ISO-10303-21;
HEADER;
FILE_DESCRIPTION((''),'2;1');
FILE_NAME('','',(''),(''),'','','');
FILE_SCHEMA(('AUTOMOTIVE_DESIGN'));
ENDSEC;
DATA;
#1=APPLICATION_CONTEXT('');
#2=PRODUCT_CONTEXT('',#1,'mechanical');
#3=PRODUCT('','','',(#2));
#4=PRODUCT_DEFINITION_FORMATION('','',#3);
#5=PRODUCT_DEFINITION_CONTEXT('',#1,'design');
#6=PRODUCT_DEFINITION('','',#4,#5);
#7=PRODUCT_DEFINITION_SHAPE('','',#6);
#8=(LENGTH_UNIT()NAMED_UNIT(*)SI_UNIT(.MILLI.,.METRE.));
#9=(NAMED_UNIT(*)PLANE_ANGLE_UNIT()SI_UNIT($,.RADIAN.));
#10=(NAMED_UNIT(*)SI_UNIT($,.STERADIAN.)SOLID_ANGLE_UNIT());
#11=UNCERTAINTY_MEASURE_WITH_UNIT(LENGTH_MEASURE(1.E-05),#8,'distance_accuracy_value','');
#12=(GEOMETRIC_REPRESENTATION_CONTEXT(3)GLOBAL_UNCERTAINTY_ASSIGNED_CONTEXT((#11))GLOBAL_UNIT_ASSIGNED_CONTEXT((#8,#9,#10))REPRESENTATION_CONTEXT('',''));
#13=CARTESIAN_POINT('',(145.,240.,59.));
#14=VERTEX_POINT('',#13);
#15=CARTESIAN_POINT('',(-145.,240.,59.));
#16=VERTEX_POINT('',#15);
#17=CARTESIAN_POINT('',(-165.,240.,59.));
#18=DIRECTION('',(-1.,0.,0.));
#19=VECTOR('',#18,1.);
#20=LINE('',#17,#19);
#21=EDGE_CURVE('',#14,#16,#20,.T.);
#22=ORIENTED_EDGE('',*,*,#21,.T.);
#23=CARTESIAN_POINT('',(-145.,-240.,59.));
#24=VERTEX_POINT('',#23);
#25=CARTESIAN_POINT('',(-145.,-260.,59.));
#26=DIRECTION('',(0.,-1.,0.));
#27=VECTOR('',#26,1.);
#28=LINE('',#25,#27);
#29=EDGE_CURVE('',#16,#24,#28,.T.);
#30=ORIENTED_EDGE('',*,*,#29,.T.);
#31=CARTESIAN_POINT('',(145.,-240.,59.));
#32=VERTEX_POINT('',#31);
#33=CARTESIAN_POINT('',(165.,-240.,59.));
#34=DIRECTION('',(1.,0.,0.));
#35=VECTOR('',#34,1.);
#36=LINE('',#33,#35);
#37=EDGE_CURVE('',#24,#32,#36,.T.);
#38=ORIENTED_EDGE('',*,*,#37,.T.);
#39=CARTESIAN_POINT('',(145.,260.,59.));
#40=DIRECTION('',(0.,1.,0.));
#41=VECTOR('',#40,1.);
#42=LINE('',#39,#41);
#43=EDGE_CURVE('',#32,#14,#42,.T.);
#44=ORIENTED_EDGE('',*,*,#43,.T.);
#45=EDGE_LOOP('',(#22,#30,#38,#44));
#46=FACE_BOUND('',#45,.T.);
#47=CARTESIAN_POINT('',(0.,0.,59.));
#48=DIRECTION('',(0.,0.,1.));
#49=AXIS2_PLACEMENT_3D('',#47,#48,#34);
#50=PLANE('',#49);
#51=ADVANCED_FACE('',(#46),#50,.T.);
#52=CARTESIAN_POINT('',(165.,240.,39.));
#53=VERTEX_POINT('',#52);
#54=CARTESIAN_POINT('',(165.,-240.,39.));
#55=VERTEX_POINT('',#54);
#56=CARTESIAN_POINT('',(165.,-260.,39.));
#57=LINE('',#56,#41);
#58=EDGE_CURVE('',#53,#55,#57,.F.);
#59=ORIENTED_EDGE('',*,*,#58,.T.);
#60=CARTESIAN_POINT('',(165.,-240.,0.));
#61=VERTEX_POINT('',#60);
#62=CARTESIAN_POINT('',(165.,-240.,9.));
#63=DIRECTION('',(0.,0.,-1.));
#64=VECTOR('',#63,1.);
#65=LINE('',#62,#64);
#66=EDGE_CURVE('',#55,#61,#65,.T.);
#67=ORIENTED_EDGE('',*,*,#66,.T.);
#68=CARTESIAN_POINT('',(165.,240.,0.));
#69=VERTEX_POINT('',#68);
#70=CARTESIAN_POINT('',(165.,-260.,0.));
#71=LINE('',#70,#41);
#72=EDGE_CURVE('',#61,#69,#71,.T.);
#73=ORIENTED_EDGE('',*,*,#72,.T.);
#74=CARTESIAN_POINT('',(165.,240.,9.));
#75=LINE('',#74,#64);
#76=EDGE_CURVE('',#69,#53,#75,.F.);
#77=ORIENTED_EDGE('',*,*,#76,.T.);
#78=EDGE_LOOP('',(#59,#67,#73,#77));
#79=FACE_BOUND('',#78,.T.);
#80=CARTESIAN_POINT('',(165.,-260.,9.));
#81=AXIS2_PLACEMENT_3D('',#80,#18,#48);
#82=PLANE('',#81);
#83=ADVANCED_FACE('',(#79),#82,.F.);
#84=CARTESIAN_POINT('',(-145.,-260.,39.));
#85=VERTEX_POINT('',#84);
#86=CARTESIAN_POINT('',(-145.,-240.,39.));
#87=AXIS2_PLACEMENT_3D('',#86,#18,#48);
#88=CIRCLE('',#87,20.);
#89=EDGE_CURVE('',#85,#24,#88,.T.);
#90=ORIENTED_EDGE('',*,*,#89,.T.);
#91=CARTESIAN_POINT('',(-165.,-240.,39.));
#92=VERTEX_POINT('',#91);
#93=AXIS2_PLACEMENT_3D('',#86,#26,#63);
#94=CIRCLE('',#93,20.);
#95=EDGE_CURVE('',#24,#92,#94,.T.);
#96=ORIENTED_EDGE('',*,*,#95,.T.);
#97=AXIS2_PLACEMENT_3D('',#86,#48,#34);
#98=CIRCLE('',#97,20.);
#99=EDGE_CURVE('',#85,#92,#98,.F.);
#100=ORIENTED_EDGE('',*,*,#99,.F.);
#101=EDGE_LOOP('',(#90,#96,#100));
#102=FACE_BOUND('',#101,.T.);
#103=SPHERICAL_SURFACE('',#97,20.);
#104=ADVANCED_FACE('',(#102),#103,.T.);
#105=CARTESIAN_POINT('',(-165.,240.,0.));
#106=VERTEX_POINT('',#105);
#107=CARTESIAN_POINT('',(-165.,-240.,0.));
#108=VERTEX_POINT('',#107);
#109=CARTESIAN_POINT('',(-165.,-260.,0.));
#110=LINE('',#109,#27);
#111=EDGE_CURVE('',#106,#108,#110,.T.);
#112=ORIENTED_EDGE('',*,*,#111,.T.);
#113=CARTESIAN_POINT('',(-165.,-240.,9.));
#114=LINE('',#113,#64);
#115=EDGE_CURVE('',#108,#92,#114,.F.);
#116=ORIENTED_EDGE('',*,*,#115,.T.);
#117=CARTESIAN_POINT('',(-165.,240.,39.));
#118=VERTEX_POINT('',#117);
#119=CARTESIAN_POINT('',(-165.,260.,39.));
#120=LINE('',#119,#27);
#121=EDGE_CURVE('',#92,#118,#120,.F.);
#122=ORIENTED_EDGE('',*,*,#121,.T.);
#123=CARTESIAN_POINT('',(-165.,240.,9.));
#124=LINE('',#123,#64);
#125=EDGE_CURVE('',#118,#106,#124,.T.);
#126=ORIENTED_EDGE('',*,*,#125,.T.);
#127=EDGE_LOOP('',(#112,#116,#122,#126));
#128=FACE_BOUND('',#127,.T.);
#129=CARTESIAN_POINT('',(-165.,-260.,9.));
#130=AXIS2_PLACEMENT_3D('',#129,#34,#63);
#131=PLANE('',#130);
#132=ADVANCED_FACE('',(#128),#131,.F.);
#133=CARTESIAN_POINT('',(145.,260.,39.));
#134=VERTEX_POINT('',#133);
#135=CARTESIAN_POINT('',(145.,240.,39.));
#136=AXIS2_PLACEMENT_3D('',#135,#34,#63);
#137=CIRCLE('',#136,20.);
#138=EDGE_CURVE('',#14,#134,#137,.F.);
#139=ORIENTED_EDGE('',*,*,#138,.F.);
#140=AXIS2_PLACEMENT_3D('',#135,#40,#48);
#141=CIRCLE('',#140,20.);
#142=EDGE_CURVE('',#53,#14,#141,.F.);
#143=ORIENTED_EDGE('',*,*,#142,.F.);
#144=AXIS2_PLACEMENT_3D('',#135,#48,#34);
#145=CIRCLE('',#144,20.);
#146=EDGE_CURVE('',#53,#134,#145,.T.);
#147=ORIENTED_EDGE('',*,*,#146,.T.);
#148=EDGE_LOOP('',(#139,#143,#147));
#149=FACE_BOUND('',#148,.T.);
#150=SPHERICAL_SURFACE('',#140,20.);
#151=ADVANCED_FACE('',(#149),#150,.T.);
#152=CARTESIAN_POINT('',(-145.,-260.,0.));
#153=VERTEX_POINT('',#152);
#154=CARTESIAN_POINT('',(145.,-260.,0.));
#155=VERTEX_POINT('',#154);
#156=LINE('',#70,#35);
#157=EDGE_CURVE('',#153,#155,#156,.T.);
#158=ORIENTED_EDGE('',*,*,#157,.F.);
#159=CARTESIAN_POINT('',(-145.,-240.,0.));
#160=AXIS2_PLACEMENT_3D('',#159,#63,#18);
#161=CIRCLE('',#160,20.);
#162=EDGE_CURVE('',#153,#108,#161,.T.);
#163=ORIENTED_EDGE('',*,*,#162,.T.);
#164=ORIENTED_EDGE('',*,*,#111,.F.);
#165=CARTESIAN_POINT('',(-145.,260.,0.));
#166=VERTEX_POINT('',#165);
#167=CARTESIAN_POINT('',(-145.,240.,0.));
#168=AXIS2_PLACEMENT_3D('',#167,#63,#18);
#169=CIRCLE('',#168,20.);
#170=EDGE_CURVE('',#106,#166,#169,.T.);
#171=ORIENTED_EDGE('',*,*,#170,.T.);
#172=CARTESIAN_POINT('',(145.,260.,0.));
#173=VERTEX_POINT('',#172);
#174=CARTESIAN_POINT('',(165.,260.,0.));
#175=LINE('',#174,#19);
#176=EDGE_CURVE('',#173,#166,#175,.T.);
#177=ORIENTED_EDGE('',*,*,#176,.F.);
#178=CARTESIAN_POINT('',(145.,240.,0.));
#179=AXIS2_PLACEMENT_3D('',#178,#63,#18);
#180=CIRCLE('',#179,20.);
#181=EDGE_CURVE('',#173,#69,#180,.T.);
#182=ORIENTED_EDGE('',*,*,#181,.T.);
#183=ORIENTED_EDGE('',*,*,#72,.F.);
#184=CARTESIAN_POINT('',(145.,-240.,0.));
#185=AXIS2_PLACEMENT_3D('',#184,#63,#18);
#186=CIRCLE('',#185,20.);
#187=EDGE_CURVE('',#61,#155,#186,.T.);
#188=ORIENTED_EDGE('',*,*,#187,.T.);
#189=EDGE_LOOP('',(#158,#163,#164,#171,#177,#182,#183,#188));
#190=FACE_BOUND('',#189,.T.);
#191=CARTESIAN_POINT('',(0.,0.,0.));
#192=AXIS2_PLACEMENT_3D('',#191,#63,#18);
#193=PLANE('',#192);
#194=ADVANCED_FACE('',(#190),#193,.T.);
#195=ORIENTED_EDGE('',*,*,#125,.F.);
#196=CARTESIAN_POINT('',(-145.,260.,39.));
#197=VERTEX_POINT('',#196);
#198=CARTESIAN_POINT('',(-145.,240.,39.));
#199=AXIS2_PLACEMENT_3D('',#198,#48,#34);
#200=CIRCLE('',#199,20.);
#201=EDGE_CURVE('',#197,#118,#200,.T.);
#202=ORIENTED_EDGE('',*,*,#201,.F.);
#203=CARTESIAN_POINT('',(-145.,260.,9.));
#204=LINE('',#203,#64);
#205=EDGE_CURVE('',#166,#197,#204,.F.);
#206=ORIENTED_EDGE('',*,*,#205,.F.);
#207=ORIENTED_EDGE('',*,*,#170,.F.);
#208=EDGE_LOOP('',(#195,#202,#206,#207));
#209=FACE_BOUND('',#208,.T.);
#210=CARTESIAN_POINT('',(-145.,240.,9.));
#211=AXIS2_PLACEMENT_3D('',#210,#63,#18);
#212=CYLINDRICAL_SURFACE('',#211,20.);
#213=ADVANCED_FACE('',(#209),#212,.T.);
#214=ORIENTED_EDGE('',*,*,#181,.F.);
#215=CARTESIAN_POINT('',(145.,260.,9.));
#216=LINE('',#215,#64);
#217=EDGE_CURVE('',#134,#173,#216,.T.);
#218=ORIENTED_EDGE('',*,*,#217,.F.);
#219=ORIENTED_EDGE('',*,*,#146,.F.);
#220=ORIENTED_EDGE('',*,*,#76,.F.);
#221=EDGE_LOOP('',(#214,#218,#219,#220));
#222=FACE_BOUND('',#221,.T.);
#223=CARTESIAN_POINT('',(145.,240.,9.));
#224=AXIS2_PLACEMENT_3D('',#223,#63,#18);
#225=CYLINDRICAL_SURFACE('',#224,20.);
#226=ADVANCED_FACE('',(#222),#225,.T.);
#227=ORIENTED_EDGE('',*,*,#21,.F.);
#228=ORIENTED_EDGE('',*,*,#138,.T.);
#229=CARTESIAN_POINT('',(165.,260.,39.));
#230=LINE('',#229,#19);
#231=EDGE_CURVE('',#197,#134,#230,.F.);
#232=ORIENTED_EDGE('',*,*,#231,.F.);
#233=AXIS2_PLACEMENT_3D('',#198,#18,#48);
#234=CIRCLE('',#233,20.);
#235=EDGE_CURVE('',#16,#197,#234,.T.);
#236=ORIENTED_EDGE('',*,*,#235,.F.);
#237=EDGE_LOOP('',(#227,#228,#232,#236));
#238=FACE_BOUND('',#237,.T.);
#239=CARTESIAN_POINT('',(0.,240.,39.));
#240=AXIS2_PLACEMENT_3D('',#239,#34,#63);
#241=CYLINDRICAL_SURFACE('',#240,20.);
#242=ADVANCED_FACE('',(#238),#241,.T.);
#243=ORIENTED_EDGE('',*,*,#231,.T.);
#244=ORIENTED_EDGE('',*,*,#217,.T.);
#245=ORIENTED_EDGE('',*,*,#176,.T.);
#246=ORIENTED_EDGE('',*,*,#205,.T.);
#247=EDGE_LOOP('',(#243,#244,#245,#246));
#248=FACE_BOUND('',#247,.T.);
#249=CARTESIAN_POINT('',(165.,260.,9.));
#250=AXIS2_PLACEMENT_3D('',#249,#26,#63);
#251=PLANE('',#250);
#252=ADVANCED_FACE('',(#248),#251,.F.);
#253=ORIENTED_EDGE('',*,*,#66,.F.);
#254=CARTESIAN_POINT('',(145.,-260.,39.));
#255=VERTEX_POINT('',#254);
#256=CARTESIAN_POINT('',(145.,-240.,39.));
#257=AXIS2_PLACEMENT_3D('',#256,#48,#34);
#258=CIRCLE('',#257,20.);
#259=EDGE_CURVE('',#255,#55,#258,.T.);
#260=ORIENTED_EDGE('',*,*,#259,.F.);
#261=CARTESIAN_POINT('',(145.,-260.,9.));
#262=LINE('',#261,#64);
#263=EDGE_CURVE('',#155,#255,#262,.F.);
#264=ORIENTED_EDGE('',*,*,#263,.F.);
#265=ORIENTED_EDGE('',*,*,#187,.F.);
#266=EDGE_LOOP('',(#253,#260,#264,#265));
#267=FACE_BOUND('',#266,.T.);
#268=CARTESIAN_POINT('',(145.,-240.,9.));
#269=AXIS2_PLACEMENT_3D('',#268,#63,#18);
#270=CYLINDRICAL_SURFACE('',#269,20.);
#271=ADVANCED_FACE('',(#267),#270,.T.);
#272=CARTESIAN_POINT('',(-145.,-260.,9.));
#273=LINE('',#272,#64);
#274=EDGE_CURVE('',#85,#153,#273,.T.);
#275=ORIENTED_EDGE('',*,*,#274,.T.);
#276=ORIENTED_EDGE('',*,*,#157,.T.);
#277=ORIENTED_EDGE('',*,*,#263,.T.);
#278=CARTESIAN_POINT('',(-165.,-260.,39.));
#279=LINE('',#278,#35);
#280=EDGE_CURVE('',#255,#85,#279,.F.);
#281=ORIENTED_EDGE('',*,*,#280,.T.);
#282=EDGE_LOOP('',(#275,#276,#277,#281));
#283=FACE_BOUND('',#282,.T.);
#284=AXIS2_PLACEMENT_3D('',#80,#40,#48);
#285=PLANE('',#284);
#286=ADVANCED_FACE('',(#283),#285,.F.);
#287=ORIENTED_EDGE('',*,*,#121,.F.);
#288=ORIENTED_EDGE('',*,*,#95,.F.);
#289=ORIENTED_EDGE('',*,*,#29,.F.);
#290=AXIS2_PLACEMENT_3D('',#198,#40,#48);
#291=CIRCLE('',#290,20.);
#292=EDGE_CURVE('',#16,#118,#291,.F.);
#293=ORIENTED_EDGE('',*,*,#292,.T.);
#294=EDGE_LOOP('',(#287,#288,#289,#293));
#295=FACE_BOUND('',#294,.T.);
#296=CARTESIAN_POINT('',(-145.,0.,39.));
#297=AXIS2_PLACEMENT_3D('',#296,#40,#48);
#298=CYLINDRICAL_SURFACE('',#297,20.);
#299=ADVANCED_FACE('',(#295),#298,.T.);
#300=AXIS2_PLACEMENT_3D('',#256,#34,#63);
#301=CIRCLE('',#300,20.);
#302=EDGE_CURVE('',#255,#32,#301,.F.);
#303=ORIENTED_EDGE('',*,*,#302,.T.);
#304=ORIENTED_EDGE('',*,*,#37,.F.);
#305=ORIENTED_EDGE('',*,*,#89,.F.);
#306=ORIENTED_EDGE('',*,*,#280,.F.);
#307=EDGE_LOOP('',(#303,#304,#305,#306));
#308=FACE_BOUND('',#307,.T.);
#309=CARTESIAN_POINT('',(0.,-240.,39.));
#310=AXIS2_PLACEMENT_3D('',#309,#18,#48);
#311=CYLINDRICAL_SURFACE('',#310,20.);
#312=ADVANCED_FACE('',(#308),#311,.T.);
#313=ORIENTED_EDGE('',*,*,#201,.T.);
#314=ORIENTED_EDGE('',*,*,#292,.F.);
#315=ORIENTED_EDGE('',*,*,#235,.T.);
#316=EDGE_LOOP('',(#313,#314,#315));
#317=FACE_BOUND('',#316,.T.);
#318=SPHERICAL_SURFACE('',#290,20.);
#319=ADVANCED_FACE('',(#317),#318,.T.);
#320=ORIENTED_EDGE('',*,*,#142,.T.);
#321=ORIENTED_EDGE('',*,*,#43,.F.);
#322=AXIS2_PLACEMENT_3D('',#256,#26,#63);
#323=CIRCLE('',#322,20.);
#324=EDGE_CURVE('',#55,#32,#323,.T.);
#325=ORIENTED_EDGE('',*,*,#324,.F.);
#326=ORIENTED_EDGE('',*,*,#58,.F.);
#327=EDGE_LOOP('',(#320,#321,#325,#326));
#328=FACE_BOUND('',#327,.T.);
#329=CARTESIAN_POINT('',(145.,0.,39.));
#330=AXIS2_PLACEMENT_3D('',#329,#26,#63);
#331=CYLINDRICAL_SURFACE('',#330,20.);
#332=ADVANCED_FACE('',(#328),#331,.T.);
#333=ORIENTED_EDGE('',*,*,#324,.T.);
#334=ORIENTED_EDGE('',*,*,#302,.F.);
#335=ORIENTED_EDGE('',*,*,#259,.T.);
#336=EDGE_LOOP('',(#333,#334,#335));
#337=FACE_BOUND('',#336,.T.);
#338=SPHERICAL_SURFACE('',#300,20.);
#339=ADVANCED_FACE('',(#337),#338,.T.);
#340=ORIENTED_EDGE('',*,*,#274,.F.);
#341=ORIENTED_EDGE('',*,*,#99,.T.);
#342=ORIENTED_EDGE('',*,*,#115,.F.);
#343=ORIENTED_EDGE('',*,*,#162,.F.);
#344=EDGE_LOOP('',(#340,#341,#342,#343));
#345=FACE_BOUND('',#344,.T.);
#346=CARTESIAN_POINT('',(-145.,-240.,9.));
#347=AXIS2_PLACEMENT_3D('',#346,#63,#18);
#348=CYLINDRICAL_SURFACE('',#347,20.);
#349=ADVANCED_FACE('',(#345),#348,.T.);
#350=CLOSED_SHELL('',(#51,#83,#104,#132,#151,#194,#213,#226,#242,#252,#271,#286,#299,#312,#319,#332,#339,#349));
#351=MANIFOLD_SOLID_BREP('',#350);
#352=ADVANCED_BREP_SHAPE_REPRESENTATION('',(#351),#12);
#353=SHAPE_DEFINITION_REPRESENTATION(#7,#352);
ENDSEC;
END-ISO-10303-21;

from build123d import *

# Parameters (mm, degrees)
CROQUIS1_W              = 520
CROQUIS1_H              = 330
SALIENTE_EXTRUIR1_DEPTH = 9
CROQUIS2_W              = 330
CROQUIS2_H              = 520
SALIENTE_EXTRUIR2_DEPTH = 50
REDONDEO1_R             = 20


with BuildPart() as part:
    # Croquis1 → Saliente-Extruir1 (new body)
    with BuildSketch(Plane(origin=(0, 0, 0), x_dir=(0, 1, 0), z_dir=(0, 0, 1))):
        Rectangle(CROQUIS1_W, CROQUIS1_H)
    extrude(amount=SALIENTE_EXTRUIR1_DEPTH)

    # Croquis2 → Saliente-Extruir2 (add)
    with BuildSketch(Plane.XY.offset(9)):
        Rectangle(CROQUIS2_W, CROQUIS2_H)
    extrude(amount=SALIENTE_EXTRUIR2_DEPTH)

    # Redondeo1
    redondeo1_edges = [part.edges().sort_by_distance(p)[0] for p in [
        (165, 0, 59),
        (0, 260, 59),
        (-165, 0, 59),
        (0, -260, 59),
        (165, 260, 29.5),
        (165, -260, 29.5),
        (-165, -260, 29.5),
        (-165, 260, 29.5),
    ]]
    fillet(redondeo1_edges, radius=REDONDEO1_R)


solid = part.part
